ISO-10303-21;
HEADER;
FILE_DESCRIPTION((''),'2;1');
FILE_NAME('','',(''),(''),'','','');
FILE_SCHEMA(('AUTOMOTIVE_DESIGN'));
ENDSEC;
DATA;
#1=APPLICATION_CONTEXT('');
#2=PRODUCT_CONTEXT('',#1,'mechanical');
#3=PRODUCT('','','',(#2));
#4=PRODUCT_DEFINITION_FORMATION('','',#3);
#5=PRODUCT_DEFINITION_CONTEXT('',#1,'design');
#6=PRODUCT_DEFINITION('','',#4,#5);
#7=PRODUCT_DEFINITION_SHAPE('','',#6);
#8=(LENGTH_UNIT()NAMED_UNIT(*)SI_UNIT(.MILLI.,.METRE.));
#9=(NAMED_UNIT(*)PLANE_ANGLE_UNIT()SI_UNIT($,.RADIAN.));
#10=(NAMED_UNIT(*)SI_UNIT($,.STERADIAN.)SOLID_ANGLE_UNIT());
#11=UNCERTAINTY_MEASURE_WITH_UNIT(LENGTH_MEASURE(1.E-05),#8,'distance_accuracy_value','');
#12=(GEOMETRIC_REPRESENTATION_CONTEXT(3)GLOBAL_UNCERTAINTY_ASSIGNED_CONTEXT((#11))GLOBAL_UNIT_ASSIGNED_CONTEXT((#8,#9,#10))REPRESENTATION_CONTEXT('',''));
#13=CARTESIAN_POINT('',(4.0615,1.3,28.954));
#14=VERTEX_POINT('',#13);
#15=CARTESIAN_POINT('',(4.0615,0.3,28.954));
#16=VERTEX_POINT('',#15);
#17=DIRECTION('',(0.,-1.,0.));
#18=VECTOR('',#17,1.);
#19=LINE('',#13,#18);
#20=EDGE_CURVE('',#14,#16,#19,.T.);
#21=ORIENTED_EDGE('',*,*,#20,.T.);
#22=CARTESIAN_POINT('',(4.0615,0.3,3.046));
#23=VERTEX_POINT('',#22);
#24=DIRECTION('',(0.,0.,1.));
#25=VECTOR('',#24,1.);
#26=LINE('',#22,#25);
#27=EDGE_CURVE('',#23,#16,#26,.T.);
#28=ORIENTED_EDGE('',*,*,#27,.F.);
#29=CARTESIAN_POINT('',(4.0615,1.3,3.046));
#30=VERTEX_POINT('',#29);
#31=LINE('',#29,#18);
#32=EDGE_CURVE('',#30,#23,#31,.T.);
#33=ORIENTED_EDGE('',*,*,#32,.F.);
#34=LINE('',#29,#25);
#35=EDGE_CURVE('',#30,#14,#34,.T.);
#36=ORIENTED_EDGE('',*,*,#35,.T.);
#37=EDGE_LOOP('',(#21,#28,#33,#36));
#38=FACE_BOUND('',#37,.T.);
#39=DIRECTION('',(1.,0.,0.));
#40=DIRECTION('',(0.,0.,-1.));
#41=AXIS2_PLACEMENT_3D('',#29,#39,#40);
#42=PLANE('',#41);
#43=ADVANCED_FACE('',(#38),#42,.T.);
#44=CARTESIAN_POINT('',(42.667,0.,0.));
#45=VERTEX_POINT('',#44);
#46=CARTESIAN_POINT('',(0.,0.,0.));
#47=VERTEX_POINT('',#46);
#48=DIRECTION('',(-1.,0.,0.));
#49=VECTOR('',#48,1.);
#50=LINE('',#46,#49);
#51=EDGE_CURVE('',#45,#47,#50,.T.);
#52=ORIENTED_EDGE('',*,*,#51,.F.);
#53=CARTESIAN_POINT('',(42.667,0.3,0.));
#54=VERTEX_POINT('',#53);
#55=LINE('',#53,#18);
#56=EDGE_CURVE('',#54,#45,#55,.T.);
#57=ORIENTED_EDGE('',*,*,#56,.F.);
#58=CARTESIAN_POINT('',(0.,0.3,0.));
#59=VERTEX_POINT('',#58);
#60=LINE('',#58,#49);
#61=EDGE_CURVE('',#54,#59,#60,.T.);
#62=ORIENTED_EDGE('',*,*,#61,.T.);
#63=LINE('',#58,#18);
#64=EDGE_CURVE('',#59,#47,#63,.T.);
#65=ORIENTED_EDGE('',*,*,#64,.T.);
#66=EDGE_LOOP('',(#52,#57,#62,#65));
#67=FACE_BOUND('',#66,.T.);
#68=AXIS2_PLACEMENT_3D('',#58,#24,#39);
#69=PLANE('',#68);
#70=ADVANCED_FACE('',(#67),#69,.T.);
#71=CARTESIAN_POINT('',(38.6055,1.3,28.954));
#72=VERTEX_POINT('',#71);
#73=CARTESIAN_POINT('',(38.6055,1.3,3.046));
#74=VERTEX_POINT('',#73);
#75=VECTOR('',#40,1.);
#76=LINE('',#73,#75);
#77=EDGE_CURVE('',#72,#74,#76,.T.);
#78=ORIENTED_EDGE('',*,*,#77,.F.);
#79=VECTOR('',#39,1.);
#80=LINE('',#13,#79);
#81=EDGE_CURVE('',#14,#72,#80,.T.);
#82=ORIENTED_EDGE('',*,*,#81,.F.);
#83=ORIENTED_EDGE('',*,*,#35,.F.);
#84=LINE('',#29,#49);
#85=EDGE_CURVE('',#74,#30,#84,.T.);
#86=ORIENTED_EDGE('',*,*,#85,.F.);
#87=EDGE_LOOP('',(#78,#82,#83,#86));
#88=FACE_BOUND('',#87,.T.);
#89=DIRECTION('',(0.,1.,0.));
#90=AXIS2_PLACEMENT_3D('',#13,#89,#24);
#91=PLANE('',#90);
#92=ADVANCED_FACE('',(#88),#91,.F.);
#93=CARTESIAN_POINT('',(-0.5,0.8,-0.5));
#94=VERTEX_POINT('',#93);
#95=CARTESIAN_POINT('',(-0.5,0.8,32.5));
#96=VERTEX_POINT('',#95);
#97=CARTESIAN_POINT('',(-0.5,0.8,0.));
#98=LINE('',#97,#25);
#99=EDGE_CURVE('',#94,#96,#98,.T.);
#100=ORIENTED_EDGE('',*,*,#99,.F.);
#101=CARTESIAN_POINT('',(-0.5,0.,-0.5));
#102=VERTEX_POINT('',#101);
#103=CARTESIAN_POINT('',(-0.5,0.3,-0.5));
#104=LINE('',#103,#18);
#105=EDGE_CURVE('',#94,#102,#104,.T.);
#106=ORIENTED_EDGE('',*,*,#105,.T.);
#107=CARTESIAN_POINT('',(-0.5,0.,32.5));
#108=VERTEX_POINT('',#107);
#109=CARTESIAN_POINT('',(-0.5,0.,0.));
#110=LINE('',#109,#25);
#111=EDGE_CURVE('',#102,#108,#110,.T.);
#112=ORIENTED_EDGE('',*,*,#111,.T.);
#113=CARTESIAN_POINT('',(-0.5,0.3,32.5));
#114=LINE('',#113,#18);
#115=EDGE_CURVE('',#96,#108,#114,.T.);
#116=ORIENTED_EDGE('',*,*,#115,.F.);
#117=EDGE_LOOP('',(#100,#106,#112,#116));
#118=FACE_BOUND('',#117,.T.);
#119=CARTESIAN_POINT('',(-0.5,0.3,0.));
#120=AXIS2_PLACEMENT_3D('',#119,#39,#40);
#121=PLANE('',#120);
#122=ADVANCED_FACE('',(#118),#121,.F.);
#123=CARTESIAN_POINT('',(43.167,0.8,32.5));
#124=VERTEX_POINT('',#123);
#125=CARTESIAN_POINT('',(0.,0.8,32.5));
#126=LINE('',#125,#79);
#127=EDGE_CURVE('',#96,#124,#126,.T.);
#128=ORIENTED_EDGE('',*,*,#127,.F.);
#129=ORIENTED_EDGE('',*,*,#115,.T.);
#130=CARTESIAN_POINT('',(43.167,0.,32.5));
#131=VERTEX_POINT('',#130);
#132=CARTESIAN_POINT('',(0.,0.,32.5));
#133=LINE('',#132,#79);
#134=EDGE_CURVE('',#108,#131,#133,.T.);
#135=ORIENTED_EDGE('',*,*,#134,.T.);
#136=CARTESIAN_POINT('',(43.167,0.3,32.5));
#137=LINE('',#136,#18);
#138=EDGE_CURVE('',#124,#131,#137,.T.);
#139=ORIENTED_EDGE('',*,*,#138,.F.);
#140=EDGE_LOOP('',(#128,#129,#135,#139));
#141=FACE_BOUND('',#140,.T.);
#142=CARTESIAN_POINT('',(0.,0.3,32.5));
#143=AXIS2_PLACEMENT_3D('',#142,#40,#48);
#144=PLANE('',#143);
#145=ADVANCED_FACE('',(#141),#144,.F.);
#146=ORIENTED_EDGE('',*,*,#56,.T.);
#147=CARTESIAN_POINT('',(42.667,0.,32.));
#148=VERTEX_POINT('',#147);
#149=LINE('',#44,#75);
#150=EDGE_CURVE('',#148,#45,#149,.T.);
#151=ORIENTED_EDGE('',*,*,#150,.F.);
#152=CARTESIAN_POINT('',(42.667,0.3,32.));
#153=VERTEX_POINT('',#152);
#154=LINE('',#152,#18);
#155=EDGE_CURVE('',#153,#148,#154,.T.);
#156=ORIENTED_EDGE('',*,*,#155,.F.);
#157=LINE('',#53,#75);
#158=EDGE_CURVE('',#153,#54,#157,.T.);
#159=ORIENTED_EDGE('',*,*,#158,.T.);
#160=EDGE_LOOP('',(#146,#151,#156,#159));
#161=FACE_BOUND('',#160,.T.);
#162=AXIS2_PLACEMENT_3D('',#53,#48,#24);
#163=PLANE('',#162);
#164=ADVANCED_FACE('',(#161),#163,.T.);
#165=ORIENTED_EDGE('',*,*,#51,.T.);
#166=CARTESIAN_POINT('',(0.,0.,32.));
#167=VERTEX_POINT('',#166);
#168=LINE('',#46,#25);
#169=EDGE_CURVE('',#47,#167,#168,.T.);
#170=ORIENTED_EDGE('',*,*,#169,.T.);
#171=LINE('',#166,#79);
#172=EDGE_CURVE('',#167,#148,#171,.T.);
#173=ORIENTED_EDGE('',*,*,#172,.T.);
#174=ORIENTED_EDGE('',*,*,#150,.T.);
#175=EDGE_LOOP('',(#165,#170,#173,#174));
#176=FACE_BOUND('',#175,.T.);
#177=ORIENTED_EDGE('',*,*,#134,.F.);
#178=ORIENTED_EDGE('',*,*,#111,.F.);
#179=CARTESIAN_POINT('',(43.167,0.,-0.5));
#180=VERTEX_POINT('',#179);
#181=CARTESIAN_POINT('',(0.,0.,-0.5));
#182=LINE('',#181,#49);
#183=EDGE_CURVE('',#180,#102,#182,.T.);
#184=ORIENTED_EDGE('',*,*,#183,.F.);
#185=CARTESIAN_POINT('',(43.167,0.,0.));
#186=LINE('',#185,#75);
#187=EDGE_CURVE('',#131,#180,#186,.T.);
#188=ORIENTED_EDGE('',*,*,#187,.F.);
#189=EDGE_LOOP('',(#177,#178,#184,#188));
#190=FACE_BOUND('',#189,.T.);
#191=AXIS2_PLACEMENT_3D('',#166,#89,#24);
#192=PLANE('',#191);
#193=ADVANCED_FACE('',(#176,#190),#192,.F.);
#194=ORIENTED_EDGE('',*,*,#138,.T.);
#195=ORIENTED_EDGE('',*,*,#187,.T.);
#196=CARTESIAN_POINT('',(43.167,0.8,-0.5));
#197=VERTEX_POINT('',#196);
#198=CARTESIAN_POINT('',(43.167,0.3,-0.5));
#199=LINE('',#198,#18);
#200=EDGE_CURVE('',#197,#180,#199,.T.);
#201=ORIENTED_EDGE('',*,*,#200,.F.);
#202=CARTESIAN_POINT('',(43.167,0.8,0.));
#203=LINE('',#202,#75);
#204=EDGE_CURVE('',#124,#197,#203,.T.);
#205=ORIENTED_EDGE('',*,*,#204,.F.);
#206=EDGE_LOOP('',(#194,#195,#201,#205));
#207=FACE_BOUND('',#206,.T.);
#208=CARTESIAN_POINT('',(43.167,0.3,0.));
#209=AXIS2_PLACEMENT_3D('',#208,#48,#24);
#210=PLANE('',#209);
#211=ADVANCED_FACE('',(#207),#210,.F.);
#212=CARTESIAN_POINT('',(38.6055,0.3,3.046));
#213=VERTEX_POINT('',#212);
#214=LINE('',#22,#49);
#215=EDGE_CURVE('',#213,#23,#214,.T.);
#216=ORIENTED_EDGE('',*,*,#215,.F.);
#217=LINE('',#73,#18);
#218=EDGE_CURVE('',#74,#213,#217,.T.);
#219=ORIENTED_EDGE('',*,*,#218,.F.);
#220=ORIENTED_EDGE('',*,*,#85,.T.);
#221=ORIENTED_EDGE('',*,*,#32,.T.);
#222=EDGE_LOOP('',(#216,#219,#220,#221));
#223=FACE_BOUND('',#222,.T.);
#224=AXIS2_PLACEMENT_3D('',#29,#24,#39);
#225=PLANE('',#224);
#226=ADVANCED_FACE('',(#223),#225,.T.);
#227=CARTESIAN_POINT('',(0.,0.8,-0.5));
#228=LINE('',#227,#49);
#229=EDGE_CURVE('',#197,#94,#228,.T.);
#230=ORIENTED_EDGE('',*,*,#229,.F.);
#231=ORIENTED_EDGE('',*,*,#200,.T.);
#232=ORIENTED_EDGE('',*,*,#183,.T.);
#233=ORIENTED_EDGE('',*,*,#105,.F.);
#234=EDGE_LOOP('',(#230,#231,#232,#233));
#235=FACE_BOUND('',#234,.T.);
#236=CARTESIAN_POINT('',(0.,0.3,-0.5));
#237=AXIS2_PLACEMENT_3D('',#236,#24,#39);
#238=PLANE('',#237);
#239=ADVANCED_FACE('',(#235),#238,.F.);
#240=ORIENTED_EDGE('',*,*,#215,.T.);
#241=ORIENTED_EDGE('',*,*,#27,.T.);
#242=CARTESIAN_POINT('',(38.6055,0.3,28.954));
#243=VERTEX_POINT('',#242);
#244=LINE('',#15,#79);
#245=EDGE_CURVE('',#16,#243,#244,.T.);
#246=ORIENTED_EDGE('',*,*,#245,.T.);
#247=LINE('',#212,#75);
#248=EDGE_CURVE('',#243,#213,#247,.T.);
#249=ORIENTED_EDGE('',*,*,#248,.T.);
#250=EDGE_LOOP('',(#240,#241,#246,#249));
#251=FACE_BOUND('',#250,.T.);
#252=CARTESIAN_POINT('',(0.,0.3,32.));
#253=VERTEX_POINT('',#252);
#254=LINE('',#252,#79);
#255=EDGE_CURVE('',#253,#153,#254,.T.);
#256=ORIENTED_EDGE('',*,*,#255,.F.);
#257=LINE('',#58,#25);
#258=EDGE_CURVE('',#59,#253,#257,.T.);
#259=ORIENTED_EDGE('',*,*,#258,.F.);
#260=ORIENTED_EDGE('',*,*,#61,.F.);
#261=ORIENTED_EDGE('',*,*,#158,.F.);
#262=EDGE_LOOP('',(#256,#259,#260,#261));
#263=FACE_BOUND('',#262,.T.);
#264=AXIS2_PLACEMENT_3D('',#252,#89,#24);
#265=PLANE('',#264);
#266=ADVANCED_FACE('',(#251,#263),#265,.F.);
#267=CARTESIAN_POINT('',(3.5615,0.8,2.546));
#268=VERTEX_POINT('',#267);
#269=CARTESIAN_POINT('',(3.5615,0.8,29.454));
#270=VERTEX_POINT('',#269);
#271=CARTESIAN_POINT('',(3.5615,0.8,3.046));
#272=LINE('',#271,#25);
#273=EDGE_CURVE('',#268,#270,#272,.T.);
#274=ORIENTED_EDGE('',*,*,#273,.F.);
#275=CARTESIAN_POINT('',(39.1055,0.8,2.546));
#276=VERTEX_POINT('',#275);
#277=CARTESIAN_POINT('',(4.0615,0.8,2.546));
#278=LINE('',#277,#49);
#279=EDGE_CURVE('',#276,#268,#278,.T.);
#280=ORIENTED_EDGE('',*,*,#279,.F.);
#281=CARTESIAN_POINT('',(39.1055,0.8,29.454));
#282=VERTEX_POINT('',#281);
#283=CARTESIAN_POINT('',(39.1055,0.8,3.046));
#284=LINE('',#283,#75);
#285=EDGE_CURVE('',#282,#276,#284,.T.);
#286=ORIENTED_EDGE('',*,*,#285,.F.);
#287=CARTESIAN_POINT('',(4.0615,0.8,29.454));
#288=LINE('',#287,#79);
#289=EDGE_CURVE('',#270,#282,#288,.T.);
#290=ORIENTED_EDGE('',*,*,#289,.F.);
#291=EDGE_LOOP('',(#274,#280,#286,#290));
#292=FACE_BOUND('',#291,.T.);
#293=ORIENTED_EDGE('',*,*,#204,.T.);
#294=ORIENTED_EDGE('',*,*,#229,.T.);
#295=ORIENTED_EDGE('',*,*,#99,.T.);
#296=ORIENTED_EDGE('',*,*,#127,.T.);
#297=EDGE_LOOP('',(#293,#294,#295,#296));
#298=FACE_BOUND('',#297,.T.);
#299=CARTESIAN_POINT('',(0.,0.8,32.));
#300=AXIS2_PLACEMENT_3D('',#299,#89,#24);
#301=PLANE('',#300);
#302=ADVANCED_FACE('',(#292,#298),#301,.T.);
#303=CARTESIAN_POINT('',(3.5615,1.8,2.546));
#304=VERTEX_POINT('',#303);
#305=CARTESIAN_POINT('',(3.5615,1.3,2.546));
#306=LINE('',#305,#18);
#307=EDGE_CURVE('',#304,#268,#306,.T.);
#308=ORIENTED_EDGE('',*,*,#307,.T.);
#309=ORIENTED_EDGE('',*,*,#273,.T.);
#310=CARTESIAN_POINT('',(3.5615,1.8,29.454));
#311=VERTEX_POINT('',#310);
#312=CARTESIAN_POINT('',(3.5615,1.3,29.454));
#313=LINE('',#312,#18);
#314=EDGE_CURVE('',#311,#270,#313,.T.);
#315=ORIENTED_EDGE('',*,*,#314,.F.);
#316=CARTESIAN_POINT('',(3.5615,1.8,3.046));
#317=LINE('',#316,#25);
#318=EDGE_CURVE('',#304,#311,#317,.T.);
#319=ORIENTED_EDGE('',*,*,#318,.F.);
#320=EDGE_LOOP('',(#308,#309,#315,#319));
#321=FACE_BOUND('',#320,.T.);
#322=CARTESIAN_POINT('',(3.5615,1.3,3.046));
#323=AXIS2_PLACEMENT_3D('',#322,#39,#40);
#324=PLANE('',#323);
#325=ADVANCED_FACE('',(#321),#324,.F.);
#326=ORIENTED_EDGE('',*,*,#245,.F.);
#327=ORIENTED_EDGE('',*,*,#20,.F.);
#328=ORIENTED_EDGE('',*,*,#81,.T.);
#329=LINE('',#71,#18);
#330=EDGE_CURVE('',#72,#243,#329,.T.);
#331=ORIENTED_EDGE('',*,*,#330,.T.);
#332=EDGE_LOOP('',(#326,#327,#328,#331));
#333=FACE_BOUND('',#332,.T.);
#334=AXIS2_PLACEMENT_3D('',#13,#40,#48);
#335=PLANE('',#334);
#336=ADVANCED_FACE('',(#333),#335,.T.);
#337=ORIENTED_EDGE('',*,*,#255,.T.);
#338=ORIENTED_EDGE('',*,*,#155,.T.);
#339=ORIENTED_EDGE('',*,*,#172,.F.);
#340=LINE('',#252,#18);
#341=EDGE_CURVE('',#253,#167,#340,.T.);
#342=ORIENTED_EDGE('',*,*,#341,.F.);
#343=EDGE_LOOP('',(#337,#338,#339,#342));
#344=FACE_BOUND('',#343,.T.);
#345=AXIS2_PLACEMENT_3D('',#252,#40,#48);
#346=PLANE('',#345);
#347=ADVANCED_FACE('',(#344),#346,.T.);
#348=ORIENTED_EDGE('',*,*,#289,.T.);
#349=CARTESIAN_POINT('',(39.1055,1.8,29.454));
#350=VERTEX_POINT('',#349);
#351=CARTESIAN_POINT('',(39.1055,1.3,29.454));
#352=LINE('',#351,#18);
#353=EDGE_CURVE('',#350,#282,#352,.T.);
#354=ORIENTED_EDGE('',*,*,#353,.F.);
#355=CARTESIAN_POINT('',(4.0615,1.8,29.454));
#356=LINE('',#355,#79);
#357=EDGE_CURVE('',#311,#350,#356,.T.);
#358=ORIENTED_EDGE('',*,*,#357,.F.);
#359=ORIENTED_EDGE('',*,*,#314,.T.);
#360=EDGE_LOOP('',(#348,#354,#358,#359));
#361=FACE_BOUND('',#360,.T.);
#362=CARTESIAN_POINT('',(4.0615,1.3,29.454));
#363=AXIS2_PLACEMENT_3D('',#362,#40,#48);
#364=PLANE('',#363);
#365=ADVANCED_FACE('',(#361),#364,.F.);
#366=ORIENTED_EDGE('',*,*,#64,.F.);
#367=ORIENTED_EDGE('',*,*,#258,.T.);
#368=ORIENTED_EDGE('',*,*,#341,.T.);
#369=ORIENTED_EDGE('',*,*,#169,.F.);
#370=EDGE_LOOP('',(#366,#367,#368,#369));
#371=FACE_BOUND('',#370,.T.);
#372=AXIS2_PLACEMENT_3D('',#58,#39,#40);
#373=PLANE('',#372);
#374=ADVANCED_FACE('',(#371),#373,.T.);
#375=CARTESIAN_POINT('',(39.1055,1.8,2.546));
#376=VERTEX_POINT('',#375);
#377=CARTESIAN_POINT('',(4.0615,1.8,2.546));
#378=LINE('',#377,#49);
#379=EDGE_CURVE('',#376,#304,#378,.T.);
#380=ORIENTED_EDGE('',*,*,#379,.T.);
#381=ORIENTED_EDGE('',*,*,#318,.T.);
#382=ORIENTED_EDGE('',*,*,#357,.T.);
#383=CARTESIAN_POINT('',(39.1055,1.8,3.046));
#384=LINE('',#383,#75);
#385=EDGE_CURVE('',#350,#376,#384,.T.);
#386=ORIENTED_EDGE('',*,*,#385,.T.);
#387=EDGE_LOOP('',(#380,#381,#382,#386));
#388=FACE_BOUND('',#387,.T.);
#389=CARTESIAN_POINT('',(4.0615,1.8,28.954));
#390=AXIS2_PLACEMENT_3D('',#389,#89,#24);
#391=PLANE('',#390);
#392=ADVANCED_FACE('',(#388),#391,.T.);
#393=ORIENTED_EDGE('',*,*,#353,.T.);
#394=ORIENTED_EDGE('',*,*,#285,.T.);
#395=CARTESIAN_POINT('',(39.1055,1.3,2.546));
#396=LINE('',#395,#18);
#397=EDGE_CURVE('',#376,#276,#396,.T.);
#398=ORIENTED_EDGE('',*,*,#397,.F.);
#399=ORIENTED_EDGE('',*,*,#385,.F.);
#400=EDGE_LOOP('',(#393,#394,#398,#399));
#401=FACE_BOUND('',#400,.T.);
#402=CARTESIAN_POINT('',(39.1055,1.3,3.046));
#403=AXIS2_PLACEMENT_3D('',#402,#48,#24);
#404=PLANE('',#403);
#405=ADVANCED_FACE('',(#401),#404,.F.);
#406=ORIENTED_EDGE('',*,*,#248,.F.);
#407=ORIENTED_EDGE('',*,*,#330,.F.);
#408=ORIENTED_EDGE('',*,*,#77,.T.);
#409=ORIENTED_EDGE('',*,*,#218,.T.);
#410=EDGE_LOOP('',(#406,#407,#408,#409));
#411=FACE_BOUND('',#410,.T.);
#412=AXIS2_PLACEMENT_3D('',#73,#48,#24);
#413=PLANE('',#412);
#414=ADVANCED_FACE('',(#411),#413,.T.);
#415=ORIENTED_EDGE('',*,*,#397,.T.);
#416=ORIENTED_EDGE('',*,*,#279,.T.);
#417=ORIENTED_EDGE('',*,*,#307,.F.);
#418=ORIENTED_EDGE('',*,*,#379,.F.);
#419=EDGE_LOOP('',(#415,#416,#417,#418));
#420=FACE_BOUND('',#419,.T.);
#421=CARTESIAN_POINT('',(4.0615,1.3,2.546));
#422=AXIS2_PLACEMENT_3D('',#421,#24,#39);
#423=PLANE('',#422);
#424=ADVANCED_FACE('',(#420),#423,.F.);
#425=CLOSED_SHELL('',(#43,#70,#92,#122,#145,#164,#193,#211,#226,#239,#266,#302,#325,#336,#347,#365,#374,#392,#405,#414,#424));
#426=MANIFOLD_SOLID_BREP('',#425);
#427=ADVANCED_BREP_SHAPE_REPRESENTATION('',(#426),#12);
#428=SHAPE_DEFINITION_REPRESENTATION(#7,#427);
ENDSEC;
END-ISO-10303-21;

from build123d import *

# Parameters (mm, degrees)
SKETCH1_W      = 42.667
SKETCH1_H      = 32
EXTRUDE1_DEPTH = 0.3
SKETCH2_W      = 34.544
SKETCH2_H      = 25.908
EXTRUDE2_DEPTH = 1
SHELL1_T       = 0.5


with BuildPart() as part:
    # Sketch1 → Extrude1 (new body)
    with BuildSketch(Plane(origin=(0, 0, 0), x_dir=(1, 0, 0), z_dir=(0, 1, 0))):
        with Locations((21.3335, -16)):
            Rectangle(SKETCH1_W, SKETCH1_H)
    extrude(amount=EXTRUDE1_DEPTH)

    # Sketch2 → Extrude2 (add)
    with BuildSketch(Plane(origin=(0, 0.3, 0), x_dir=(-1, 0, 0), z_dir=(0, 1, 0))):
        with Locations((-21.3335, 16)):
            Rectangle(SKETCH2_W, SKETCH2_H)
    extrude(amount=EXTRUDE2_DEPTH)

    # Shell1
    shell1_openings = [part.faces().sort_by_distance(p)[0] for p in [
        (21.3335, 0, 16),
    ]]
    offset(amount=SHELL1_T, openings=shell1_openings, kind=Kind.INTERSECTION)


solid = part.part
